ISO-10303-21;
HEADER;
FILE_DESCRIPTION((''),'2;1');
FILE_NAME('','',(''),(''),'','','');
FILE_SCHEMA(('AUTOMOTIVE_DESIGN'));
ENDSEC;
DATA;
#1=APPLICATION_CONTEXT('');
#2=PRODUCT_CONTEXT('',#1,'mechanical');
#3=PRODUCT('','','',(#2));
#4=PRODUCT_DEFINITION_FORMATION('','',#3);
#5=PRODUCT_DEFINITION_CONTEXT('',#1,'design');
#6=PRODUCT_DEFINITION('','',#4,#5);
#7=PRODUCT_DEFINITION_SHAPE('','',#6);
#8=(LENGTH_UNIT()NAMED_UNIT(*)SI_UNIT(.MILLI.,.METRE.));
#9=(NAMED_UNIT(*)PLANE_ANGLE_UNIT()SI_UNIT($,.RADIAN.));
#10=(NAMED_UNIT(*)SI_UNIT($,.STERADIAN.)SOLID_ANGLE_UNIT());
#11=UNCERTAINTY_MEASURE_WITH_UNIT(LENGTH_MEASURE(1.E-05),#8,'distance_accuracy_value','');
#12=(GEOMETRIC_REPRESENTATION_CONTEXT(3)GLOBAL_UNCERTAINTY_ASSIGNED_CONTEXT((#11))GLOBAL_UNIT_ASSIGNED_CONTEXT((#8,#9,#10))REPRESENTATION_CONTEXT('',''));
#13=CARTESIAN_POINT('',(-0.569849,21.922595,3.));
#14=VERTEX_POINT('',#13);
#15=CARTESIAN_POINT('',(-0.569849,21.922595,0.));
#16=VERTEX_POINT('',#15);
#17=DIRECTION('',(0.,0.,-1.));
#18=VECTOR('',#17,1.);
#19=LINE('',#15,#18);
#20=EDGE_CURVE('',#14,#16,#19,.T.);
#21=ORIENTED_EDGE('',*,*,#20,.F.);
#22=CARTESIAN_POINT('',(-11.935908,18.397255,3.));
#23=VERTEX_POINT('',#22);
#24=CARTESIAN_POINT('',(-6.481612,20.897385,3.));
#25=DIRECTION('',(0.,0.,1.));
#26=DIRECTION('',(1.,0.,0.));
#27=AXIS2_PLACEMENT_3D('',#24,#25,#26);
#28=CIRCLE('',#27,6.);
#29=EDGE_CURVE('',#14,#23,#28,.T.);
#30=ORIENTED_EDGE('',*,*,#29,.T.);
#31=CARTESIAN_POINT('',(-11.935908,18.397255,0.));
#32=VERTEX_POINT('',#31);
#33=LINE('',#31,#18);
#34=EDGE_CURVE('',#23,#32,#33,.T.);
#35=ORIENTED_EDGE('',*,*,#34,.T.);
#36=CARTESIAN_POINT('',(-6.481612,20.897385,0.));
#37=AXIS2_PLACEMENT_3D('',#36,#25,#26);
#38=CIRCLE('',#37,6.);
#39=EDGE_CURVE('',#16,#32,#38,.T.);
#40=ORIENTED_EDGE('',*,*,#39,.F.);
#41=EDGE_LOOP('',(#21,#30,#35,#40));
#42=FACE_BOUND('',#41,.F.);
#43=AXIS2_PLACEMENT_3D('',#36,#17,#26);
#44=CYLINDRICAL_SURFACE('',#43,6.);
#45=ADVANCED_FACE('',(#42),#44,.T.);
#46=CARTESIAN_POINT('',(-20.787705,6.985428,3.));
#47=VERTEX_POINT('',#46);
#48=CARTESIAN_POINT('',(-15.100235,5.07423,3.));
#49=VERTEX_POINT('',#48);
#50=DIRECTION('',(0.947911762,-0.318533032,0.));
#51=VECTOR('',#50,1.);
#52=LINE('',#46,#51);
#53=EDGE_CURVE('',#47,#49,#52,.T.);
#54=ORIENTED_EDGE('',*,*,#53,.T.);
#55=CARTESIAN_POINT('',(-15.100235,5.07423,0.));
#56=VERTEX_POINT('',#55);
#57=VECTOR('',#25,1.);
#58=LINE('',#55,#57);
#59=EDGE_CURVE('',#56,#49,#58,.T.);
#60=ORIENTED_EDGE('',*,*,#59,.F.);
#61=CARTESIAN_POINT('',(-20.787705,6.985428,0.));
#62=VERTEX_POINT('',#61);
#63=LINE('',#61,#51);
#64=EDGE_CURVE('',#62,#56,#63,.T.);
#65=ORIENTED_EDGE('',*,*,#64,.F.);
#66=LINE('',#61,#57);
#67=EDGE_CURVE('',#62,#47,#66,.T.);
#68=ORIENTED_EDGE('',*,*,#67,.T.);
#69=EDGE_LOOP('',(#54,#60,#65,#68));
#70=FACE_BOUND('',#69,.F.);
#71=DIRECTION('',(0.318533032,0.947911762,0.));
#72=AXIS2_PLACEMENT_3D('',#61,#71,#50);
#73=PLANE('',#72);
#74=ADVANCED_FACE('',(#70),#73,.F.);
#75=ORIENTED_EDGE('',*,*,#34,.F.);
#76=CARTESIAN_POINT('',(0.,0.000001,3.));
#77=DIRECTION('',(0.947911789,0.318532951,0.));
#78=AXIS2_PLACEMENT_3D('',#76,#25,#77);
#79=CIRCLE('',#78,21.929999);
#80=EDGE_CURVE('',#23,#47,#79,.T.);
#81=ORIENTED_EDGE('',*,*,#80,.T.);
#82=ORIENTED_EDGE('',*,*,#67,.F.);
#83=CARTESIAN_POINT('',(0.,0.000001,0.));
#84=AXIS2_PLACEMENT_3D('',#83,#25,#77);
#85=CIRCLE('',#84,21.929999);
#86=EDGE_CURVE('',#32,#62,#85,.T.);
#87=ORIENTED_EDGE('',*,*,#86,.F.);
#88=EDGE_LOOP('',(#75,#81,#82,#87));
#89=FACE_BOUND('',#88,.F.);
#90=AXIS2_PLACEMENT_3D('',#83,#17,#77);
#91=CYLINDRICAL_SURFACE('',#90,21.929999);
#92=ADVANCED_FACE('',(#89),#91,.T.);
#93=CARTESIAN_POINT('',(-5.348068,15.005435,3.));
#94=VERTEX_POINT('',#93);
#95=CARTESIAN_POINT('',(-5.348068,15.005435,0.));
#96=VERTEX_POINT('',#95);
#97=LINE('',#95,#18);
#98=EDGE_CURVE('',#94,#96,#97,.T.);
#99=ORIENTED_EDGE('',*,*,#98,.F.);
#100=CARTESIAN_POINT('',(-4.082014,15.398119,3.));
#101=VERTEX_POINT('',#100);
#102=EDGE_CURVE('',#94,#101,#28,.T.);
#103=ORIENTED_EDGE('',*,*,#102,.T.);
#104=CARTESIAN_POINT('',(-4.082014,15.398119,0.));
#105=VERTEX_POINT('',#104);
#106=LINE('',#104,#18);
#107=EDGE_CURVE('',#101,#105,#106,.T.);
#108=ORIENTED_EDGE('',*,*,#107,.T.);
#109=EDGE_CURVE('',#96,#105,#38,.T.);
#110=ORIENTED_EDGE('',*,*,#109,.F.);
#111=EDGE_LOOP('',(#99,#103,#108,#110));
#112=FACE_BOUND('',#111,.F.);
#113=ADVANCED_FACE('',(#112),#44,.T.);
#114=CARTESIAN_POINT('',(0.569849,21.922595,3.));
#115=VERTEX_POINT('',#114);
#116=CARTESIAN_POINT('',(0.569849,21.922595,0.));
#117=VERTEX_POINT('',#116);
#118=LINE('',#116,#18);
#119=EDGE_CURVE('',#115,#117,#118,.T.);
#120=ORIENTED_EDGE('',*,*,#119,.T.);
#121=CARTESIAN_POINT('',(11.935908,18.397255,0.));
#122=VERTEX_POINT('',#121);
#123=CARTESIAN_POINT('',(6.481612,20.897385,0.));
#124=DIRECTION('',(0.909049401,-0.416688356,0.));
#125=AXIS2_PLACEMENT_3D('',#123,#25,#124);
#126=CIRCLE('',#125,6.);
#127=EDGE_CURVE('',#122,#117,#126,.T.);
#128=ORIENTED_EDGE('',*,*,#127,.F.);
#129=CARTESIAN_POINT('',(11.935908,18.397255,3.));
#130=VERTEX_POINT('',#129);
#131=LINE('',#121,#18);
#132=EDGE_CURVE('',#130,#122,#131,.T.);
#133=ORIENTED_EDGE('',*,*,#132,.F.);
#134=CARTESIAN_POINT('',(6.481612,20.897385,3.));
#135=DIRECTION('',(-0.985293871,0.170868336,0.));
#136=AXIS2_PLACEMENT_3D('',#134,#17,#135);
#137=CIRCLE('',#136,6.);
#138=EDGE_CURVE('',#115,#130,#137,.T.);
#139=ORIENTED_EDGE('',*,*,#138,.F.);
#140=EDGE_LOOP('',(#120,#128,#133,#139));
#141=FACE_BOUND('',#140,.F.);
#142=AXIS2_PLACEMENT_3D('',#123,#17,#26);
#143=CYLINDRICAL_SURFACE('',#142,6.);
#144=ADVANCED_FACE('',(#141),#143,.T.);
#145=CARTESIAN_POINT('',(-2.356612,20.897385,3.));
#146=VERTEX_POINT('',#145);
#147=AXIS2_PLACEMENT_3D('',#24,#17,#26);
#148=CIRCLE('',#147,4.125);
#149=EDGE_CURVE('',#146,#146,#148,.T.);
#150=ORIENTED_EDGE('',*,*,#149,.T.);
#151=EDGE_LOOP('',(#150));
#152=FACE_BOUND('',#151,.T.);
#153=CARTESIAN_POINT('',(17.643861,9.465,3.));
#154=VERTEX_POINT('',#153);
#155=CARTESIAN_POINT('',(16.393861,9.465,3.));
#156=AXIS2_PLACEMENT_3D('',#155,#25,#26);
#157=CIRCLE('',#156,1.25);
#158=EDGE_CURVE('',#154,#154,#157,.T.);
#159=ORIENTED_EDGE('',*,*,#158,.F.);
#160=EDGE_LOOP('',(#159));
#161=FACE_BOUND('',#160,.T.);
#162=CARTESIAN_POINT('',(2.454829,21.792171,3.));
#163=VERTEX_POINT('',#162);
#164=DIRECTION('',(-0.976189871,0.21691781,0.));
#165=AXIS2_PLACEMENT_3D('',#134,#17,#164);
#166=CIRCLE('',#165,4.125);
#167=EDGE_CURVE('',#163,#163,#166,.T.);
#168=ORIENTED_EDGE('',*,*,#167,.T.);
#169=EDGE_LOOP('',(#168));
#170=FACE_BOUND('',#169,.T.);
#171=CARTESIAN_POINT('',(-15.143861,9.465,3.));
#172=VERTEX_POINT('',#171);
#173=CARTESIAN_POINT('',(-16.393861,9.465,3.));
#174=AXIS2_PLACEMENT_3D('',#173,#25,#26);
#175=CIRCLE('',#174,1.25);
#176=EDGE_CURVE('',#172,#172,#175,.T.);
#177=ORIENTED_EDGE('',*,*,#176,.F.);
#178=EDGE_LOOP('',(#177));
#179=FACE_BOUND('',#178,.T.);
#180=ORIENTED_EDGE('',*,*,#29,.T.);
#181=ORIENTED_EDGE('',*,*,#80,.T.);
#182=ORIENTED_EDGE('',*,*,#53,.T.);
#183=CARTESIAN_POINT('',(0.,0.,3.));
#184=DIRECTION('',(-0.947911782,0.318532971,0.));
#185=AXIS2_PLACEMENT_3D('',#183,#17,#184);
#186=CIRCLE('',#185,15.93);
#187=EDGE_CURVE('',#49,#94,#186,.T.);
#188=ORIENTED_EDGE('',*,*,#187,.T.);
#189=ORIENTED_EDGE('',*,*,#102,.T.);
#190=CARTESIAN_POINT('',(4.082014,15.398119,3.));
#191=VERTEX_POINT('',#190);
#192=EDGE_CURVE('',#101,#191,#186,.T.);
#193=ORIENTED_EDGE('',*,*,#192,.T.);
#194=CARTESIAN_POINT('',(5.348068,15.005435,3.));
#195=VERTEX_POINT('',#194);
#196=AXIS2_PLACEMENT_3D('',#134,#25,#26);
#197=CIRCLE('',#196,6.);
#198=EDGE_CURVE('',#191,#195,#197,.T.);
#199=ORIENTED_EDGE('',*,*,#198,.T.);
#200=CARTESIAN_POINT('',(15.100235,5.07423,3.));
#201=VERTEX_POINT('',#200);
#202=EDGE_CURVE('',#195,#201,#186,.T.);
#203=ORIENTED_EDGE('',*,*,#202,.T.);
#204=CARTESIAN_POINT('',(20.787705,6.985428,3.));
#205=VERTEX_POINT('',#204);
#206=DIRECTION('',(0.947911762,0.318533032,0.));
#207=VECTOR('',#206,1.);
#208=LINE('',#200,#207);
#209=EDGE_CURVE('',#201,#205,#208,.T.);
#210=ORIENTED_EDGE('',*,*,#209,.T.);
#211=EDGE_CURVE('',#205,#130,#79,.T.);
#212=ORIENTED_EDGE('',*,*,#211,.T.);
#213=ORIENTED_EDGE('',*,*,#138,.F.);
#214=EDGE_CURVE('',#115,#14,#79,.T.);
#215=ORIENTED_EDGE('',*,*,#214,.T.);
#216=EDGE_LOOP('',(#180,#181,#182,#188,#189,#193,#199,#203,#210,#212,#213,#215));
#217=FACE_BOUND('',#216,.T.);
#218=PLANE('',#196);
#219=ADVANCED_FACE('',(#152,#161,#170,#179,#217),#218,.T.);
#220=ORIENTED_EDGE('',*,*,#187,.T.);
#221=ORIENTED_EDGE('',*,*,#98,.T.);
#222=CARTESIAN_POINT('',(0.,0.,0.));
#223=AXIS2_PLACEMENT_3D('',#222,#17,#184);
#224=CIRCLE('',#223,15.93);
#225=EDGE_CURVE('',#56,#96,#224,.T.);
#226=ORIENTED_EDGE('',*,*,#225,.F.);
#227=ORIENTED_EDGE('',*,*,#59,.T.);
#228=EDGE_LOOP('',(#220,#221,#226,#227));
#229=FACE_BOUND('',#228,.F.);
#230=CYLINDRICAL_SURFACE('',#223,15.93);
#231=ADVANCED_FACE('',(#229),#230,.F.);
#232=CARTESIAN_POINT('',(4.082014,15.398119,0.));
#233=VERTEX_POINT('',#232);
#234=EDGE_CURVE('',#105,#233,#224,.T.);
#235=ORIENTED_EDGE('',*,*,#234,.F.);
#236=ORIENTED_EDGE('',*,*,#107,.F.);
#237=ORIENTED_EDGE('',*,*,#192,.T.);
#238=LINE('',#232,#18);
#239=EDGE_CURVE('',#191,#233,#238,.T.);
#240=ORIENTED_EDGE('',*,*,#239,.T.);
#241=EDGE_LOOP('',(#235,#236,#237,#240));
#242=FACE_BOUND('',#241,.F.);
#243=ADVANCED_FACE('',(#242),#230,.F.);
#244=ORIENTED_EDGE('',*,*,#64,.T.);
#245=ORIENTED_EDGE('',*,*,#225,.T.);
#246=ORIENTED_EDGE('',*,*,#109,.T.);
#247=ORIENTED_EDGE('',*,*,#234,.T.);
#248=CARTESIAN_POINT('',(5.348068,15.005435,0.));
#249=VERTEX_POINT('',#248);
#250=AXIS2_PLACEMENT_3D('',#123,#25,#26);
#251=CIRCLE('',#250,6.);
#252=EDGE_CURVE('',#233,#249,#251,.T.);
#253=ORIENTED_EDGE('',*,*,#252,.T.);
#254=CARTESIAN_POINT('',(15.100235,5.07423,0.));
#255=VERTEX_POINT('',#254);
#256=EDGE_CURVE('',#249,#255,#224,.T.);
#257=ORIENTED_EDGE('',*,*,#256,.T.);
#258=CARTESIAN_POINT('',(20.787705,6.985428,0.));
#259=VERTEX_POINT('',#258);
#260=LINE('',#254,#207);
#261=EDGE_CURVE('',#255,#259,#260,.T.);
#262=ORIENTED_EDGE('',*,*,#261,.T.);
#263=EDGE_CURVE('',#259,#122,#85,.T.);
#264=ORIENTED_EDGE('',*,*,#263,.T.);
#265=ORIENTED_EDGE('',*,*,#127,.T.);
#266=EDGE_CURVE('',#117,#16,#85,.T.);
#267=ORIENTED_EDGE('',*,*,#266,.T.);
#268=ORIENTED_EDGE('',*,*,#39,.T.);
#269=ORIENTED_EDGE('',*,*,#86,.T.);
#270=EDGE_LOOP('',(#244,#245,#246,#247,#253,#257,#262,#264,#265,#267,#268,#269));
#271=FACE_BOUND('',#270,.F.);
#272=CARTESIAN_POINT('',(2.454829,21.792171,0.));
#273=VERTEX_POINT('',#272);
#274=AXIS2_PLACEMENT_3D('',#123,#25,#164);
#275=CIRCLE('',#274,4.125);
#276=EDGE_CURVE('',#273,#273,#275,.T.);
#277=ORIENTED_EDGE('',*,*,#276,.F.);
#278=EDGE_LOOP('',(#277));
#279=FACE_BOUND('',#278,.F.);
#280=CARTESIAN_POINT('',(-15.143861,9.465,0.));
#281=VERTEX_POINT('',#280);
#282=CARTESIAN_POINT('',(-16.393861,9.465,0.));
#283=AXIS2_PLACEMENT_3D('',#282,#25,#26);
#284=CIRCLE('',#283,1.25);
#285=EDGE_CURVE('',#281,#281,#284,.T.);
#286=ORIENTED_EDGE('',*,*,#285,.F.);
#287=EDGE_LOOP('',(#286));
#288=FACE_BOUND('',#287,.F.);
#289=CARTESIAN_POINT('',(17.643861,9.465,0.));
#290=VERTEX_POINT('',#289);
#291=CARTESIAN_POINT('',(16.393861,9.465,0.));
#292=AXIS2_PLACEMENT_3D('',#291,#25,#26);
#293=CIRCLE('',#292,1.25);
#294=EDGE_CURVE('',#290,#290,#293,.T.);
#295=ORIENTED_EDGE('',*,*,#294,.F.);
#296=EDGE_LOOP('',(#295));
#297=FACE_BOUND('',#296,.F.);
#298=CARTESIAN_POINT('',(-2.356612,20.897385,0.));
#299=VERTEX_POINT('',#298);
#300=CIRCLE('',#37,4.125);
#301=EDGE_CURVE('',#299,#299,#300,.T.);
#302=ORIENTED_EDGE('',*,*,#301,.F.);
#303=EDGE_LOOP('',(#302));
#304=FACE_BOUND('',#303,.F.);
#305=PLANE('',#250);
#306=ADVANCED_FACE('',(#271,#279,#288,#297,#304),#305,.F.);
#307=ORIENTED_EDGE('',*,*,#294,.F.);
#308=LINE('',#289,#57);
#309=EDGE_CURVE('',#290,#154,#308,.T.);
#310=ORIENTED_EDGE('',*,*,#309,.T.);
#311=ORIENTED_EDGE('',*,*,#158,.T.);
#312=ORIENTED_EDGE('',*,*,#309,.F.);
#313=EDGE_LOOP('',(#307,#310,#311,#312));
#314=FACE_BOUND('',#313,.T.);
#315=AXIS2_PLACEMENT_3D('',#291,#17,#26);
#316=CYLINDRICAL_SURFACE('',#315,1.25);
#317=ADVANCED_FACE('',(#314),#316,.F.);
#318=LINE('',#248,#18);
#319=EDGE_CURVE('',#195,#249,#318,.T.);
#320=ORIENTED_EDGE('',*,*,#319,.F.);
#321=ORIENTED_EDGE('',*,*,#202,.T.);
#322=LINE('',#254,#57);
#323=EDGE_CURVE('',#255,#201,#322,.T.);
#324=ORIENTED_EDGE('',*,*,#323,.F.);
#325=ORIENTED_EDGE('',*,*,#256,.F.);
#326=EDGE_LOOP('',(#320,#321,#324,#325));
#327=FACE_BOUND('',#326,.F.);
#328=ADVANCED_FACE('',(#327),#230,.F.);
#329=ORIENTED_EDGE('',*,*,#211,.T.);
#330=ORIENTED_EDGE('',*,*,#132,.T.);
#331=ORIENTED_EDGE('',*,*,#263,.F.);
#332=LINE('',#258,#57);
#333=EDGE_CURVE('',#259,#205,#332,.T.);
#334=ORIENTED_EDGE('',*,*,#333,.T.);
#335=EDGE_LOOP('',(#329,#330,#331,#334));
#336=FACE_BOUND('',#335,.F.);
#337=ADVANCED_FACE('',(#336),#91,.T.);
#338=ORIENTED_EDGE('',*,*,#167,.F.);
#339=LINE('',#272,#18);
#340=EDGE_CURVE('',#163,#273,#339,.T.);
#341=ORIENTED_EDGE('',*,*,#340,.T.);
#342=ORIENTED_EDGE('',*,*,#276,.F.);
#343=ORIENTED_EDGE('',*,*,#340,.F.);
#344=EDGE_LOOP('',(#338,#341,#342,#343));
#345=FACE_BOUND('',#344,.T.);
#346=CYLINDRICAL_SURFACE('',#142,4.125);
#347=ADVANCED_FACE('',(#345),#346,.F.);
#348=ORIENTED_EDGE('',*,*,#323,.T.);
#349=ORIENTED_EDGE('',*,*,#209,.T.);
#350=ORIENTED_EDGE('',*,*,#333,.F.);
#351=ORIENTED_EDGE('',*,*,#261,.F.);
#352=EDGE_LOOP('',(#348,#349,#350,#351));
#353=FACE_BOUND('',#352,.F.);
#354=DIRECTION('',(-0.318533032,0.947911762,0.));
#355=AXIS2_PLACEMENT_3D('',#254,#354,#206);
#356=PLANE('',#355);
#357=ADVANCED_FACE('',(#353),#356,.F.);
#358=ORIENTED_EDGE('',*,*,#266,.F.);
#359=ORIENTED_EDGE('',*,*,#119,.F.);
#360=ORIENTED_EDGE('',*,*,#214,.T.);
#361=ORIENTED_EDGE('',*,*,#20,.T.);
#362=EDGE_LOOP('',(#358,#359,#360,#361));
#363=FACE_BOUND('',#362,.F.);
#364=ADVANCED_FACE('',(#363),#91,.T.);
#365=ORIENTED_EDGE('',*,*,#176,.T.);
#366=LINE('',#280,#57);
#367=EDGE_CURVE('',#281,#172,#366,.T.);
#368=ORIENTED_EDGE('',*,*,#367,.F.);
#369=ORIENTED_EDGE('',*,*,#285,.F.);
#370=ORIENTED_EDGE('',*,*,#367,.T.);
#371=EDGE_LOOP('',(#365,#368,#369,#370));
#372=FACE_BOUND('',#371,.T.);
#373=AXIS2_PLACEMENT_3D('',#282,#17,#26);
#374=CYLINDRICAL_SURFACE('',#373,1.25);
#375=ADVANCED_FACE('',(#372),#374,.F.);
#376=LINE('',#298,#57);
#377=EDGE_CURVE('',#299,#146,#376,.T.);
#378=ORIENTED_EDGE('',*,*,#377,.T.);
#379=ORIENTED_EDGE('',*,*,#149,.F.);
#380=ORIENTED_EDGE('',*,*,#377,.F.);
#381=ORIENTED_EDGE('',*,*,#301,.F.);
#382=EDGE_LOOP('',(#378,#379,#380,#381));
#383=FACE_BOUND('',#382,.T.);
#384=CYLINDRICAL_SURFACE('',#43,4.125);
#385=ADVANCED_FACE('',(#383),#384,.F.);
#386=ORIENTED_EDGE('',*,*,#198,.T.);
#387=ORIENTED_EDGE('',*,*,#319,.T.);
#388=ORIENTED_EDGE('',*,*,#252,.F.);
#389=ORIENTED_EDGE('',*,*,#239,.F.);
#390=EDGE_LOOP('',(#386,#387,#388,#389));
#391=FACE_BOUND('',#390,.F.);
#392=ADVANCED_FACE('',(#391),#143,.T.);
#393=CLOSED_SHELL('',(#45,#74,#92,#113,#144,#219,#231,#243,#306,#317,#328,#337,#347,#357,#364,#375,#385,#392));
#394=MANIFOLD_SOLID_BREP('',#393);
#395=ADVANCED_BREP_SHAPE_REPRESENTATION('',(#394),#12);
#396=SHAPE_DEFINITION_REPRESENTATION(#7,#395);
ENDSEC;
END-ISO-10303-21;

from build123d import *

# Parameters (mm, degrees)
F0_R     = 1.25
F1_DEPTH = 3
F2_R     = 6
F2_R_2   = 4.125
F3_DEPTH = 3
F4_DEPTH = 13.63532


with BuildPart() as f1:
    # F0 (on Top) → F1 (new body)
    with BuildSketch(Plane.XY):
        with BuildLine():
            Line((-20.787705, 6.985428), (-15.100235, 5.07423))
            ThreePointArc((-15.100235, 5.07423), (0, 15.93), (15.100235, 5.07423))
            Line((15.100235, 5.07423), (20.787705, 6.985428))
            ThreePointArc((20.787705, 6.985428), (0, 21.93), (-20.787705, 6.985428))
        make_face()
        with Locations((-16.393861, 9.465)):
            Circle(F0_R, mode=Mode.SUBTRACT)
        with Locations((16.393861, 9.465)):
            Circle(F0_R, mode=Mode.SUBTRACT)
    extrude(amount=F1_DEPTH)

    # F2 (on Top) → F3 (join)
    with BuildSketch(Plane.XY):
        with Locations((6.481612, 20.897385)):
            Circle(F2_R)
        with Locations((6.481612, 20.897385)):
            Circle(F2_R_2, mode=Mode.SUBTRACT)
        with Locations((-6.481612, 20.897385)):
            Circle(F2_R)
        with Locations((-6.481612, 20.897385)):
            Circle(F2_R_2, mode=Mode.SUBTRACT)
    extrude(amount=F3_DEPTH)

    # F2 (on Top) → F4 (cut)
    with BuildSketch(Plane.XY):
        with Locations((-6.481612, 20.897385)):
            Circle(F2_R_2)
        with Locations((6.481612, 20.897385)):
            Circle(F2_R_2)
    extrude(amount=F4_DEPTH, mode=Mode.SUBTRACT)


solid = f1.part
